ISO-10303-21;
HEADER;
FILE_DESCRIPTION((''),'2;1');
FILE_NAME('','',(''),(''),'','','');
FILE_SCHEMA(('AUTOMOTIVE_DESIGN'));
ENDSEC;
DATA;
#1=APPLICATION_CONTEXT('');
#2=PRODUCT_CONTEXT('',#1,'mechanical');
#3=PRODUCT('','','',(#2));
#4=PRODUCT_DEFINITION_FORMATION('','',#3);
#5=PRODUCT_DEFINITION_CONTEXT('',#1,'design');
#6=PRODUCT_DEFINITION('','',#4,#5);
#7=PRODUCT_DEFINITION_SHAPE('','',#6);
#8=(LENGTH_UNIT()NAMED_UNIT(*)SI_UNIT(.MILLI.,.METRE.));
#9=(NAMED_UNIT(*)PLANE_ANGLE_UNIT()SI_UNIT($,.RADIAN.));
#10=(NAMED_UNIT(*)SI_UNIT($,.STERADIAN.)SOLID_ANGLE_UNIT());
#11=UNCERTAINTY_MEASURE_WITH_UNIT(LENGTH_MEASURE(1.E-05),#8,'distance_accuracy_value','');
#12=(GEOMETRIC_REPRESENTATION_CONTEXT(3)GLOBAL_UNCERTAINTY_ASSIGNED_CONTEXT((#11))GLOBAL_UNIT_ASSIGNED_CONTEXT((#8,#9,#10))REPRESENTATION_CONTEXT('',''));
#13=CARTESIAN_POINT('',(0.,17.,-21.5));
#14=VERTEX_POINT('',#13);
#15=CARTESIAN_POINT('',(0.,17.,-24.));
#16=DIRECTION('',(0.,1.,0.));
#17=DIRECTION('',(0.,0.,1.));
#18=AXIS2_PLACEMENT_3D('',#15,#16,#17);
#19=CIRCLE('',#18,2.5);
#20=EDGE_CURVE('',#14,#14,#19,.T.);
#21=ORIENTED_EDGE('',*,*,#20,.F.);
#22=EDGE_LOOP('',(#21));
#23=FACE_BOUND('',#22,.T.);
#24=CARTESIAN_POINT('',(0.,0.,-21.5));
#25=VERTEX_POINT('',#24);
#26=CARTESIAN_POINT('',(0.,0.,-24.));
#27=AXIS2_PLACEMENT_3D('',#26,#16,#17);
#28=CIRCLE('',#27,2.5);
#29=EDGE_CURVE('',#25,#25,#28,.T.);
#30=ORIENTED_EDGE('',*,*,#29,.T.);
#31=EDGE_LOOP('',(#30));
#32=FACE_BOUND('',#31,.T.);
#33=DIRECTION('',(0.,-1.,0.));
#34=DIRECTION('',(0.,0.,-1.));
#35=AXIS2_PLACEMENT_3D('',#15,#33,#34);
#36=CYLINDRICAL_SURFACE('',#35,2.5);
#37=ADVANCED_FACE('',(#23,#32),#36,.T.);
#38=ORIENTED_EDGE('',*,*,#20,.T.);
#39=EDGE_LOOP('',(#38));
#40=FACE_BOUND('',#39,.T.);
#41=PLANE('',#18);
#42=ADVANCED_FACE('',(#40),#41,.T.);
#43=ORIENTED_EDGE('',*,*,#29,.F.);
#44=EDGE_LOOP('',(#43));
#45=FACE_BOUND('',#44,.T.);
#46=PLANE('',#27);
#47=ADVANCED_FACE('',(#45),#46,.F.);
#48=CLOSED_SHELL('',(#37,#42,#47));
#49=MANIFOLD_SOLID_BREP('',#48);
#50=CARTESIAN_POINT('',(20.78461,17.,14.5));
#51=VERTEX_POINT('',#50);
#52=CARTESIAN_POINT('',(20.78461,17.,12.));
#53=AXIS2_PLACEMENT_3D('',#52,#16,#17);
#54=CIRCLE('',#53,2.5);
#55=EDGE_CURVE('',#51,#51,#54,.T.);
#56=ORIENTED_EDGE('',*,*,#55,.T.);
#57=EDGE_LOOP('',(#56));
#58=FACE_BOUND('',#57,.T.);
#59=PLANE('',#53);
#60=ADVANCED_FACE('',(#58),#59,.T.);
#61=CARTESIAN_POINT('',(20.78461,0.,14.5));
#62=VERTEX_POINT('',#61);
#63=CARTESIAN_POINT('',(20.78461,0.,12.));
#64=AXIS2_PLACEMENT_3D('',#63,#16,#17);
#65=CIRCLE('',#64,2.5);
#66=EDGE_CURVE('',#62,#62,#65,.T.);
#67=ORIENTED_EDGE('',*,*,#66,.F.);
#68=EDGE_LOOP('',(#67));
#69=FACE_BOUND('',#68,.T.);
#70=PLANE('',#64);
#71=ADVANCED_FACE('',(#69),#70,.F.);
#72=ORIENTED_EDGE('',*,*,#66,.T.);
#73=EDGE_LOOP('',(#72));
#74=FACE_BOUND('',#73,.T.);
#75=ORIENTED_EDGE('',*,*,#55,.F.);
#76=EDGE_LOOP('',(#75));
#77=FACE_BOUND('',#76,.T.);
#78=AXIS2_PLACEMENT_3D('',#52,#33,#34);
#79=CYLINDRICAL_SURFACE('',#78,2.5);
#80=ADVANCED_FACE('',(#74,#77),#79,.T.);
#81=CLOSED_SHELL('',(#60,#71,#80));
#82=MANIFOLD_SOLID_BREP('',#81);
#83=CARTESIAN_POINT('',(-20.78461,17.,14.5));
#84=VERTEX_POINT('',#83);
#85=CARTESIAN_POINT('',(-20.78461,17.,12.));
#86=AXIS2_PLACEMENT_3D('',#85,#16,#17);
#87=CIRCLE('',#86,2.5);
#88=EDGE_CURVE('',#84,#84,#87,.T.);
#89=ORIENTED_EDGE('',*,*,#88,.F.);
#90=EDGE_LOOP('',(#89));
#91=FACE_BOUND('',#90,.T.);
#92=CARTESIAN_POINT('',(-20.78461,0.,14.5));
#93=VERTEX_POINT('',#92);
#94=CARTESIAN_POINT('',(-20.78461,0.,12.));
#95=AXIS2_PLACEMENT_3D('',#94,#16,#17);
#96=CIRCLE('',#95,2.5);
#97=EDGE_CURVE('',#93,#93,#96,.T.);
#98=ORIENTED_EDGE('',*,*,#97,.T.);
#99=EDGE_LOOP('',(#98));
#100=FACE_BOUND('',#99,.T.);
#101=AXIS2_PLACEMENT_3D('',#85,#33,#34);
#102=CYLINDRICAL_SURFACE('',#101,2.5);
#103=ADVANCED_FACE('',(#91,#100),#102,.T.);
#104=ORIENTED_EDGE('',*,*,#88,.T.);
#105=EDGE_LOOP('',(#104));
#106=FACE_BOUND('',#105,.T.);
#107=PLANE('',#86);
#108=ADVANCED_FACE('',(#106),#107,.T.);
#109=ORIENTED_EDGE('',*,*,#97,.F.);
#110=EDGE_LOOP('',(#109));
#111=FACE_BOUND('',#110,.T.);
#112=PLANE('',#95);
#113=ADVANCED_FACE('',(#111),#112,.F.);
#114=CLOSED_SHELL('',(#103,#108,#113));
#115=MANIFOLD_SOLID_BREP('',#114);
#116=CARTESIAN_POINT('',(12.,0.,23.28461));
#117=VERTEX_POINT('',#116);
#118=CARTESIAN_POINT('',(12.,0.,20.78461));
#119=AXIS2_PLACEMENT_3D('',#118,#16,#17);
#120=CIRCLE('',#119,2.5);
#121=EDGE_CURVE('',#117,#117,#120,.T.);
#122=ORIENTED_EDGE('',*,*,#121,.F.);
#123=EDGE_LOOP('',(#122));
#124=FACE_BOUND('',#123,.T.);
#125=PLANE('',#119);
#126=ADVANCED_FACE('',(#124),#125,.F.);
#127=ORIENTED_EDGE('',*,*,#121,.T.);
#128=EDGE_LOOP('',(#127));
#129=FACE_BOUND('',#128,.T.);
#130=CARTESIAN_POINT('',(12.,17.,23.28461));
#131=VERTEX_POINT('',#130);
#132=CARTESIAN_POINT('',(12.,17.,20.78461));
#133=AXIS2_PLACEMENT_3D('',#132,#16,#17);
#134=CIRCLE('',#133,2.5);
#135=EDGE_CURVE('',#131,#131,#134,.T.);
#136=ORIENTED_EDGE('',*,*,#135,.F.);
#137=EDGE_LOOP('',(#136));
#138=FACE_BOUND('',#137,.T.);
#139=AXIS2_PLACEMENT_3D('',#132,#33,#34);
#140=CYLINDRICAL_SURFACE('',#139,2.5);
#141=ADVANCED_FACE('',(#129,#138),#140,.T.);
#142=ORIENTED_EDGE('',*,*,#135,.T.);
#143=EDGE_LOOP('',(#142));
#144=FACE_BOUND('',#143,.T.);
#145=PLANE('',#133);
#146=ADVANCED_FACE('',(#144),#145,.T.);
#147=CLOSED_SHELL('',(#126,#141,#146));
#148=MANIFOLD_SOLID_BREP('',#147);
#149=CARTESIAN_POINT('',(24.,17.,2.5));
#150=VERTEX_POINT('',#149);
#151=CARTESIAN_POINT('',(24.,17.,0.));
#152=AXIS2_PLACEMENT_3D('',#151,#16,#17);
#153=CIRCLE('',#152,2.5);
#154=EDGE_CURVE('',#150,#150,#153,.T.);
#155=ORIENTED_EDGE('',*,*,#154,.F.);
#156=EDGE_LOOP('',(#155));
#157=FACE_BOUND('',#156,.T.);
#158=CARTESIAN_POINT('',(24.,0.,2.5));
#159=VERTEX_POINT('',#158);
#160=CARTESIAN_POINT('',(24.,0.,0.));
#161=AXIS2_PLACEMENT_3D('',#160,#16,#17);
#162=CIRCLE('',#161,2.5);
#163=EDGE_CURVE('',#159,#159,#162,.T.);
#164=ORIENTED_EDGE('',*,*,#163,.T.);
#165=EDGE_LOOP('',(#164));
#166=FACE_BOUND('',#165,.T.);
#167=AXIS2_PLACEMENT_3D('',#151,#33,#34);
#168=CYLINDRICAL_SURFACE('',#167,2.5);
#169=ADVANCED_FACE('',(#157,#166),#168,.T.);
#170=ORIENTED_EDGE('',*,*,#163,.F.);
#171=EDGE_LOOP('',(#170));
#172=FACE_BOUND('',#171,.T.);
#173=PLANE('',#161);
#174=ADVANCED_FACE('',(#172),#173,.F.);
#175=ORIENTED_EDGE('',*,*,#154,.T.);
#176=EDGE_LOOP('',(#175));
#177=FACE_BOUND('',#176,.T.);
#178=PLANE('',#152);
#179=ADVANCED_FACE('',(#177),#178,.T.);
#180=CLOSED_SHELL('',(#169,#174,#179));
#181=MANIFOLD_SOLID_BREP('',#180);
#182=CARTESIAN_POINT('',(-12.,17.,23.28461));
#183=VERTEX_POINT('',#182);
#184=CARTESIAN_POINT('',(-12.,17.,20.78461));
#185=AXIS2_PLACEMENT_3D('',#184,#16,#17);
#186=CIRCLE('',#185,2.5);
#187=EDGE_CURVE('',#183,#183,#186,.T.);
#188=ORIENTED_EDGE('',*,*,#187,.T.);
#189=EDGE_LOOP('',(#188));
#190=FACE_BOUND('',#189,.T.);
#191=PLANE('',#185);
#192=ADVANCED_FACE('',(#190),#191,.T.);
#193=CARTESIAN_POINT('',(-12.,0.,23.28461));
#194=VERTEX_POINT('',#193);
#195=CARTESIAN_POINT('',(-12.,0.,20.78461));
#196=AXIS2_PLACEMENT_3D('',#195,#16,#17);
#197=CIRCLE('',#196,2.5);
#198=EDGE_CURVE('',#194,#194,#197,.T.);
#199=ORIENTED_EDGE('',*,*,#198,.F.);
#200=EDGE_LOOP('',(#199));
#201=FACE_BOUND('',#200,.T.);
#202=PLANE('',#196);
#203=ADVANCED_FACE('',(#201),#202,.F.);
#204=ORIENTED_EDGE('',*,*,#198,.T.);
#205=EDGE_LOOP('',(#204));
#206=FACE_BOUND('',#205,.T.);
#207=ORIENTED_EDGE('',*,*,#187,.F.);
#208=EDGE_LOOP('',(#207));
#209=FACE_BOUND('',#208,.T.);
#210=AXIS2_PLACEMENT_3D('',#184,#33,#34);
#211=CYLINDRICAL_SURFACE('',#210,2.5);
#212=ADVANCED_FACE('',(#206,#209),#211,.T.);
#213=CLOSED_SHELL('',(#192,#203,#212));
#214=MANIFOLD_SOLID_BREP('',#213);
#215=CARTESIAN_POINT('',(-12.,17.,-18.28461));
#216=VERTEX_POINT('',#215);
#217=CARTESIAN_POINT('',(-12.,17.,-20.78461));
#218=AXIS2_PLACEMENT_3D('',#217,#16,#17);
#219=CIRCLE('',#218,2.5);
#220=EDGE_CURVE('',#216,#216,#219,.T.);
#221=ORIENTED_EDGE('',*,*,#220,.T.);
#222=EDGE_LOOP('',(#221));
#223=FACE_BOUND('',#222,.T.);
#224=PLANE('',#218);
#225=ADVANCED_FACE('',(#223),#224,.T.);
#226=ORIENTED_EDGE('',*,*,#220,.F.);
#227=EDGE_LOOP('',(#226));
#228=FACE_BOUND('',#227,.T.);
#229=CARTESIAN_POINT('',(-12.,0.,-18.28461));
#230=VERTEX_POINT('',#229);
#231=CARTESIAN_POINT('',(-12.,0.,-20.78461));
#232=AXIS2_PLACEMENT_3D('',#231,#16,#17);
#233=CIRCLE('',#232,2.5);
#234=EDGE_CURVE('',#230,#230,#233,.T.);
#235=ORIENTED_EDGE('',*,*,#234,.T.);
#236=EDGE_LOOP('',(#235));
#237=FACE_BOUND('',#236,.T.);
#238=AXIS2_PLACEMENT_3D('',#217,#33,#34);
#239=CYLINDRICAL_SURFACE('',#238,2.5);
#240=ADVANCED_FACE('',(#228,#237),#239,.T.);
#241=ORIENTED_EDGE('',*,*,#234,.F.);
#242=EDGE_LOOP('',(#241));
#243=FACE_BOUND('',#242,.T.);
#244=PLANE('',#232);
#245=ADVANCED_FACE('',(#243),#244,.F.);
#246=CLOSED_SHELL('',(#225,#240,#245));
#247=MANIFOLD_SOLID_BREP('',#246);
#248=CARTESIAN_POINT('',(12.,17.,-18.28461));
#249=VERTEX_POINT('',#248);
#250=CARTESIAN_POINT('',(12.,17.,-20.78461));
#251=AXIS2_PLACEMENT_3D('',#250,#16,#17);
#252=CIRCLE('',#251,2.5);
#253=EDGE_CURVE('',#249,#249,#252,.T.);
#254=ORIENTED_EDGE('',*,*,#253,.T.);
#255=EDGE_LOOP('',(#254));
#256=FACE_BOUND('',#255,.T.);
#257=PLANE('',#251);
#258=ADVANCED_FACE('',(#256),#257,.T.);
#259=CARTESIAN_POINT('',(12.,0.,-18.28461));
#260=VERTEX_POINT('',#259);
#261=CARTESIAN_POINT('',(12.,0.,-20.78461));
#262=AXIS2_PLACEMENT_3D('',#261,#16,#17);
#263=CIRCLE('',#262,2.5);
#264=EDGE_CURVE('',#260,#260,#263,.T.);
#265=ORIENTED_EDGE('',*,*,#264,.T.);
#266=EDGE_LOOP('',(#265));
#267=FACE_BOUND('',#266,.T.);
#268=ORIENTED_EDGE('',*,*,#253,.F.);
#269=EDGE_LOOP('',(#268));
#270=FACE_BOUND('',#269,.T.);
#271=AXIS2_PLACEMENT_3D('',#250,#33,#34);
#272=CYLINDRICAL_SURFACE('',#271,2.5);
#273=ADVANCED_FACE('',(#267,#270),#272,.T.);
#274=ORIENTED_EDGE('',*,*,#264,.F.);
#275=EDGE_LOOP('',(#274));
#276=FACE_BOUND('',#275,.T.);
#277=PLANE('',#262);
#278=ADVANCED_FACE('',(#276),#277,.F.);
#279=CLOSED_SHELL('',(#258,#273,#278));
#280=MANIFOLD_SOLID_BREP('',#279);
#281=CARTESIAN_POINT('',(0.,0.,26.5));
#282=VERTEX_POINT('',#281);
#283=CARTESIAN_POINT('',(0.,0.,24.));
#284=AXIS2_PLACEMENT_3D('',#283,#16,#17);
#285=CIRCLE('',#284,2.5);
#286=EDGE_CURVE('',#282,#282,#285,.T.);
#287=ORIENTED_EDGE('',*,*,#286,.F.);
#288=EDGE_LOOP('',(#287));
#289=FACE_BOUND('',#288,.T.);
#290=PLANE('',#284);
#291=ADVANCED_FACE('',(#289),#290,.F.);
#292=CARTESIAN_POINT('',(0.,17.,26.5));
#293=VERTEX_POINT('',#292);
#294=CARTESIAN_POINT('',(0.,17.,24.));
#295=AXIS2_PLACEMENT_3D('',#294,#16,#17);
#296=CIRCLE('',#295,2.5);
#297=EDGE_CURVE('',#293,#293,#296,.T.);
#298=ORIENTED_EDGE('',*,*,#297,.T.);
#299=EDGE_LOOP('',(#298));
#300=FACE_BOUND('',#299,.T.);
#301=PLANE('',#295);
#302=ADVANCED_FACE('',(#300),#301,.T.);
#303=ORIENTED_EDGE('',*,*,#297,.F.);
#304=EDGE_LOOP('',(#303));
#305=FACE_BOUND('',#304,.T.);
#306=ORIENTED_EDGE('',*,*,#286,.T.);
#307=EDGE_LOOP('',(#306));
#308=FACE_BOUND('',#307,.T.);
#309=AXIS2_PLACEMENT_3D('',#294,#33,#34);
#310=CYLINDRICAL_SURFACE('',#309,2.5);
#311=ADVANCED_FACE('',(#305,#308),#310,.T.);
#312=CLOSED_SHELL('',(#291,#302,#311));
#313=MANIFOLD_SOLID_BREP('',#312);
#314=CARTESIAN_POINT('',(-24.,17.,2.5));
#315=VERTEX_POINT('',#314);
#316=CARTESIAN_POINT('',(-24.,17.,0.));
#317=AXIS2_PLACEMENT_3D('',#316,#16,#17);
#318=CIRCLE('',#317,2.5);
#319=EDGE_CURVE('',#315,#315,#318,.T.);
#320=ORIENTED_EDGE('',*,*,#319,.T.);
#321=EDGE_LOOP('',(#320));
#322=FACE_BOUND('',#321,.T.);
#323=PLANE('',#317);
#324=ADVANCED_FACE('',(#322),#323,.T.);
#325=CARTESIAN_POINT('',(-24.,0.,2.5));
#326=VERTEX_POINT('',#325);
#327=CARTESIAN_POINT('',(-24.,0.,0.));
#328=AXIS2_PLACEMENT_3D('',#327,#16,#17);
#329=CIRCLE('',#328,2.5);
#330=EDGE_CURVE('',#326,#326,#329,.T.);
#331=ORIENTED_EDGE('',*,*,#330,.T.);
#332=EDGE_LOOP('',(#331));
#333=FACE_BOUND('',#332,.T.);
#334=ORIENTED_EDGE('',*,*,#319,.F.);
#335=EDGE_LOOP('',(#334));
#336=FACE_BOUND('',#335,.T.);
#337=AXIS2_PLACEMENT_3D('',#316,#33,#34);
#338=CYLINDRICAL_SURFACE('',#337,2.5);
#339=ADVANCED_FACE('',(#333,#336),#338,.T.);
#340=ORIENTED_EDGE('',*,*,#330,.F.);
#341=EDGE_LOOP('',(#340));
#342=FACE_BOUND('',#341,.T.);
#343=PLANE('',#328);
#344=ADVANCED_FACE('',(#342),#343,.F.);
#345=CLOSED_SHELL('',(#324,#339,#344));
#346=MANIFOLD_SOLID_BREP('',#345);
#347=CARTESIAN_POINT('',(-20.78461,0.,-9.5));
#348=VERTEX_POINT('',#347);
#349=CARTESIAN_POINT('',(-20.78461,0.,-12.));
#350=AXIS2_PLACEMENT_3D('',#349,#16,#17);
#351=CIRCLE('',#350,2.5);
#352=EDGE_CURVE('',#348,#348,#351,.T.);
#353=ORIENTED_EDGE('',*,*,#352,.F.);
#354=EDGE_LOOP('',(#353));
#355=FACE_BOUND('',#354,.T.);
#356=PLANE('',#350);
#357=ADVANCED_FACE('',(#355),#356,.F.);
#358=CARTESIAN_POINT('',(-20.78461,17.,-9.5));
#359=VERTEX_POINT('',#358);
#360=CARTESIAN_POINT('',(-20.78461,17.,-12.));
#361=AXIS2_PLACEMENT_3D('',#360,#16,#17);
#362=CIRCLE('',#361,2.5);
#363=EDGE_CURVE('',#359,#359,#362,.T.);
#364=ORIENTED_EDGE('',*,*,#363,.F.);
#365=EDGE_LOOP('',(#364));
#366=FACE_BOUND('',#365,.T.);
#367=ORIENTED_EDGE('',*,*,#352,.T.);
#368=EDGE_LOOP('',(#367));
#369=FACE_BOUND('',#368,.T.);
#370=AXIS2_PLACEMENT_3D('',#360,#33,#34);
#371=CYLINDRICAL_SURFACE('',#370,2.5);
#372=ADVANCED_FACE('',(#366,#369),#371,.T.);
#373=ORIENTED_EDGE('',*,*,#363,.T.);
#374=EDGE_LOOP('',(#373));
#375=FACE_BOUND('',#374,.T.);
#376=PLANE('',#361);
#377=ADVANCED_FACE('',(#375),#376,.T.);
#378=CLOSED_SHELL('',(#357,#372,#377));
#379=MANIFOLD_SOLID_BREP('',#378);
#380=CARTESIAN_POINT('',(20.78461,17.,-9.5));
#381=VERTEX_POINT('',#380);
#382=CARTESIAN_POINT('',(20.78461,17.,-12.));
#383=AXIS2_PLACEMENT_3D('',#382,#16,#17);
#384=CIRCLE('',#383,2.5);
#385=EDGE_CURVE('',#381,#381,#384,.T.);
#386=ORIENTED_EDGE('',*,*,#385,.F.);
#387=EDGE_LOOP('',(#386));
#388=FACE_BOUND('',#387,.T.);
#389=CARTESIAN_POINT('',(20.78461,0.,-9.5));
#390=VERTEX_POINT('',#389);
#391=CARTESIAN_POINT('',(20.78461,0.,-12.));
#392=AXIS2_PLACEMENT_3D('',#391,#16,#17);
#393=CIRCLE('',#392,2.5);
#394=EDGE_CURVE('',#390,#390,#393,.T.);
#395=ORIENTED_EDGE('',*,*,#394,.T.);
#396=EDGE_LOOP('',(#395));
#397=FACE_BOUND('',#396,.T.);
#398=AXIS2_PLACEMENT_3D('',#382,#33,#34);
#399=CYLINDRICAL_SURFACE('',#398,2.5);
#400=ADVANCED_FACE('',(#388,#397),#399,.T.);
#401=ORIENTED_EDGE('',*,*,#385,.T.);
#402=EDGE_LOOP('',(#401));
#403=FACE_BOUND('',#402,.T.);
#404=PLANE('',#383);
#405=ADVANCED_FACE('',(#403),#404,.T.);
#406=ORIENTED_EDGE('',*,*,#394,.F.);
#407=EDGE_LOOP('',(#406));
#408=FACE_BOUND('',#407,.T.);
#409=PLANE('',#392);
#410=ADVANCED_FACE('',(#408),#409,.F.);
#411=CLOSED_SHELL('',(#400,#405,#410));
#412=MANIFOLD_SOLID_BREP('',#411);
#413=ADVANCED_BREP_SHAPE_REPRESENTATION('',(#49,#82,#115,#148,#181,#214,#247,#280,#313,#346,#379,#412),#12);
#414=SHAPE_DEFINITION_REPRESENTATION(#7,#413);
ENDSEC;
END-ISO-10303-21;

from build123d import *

# Parameters (mm, degrees)
SKETCH1_R              = 2.5
BOSS_EXTRUDE1_DEPTH    = 17
BOSS_EXTRUDE1_2_DEPTH  = 17
BOSS_EXTRUDE1_3_DEPTH  = 17
BOSS_EXTRUDE1_4_DEPTH  = 17
BOSS_EXTRUDE1_5_DEPTH  = 17
BOSS_EXTRUDE1_6_DEPTH  = 17
BOSS_EXTRUDE1_7_DEPTH  = 17
BOSS_EXTRUDE1_8_DEPTH  = 17
BOSS_EXTRUDE1_9_DEPTH  = 17
BOSS_EXTRUDE1_10_DEPTH = 17
BOSS_EXTRUDE1_11_DEPTH = 17
BOSS_EXTRUDE1_12_DEPTH = 17


with BuildPart() as part:
    # Sketch1 → Boss-Extrude1 (new body)
    with BuildSketch(Plane(origin=(0, 0, 0), x_dir=(1, 0, 0), z_dir=(0, 1, 0))):
        with Locations((0, 24)):
            Circle(SKETCH1_R)
    extrude(amount=BOSS_EXTRUDE1_DEPTH)


with BuildPart() as body_2:
    # Sketch1 → Boss-Extrude1 2 (new body)
    with BuildSketch(Plane(origin=(0, 0, 0), x_dir=(1, 0, 0), z_dir=(0, 1, 0))):
        with Locations((12, 20.784609691)):
            Circle(SKETCH1_R)
    extrude(amount=BOSS_EXTRUDE1_2_DEPTH)


with BuildPart() as body_3:
    # Sketch1 → Boss-Extrude1 3 (new body)
    with BuildSketch(Plane(origin=(0, 0, 0), x_dir=(1, 0, 0), z_dir=(0, 1, 0))):
        with Locations((20.784609691, 12)):
            Circle(SKETCH1_R)
    extrude(amount=BOSS_EXTRUDE1_3_DEPTH)


with BuildPart() as body_4:
    # Sketch1 → Boss-Extrude1 4 (new body)
    with BuildSketch(Plane(origin=(0, 0, 0), x_dir=(1, 0, 0), z_dir=(0, 1, 0))):
        with Locations((24, 0)):
            Circle(SKETCH1_R)
    extrude(amount=BOSS_EXTRUDE1_4_DEPTH)


with BuildPart() as body_5:
    # Sketch1 → Boss-Extrude1 5 (new body)
    with BuildSketch(Plane(origin=(0, 0, 0), x_dir=(1, 0, 0), z_dir=(0, 1, 0))):
        with Locations((20.784609691, -12)):
            Circle(SKETCH1_R)
    extrude(amount=BOSS_EXTRUDE1_5_DEPTH)


with BuildPart() as body_6:
    # Sketch1 → Boss-Extrude1 6 (new body)
    with BuildSketch(Plane(origin=(0, 0, 0), x_dir=(1, 0, 0), z_dir=(0, 1, 0))):
        with Locations((12, -20.784609691)):
            Circle(SKETCH1_R)
    extrude(amount=BOSS_EXTRUDE1_6_DEPTH)


with BuildPart() as body_7:
    # Sketch1 → Boss-Extrude1 7 (new body)
    with BuildSketch(Plane(origin=(0, 0, 0), x_dir=(1, 0, 0), z_dir=(0, 1, 0))):
        with Locations((0, -24)):
            Circle(SKETCH1_R)
    extrude(amount=BOSS_EXTRUDE1_7_DEPTH)


with BuildPart() as body_8:
    # Sketch1 → Boss-Extrude1 8 (new body)
    with BuildSketch(Plane(origin=(0, 0, 0), x_dir=(1, 0, 0), z_dir=(0, 1, 0))):
        with Locations((-12, -20.784609691)):
            Circle(SKETCH1_R)
    extrude(amount=BOSS_EXTRUDE1_8_DEPTH)


with BuildPart() as body_9:
    # Sketch1 → Boss-Extrude1 9 (new body)
    with BuildSketch(Plane(origin=(0, 0, 0), x_dir=(1, 0, 0), z_dir=(0, 1, 0))):
        with Locations((-20.784609691, -12)):
            Circle(SKETCH1_R)
    extrude(amount=BOSS_EXTRUDE1_9_DEPTH)


with BuildPart() as body_10:
    # Sketch1 → Boss-Extrude1 10 (new body)
    with BuildSketch(Plane(origin=(0, 0, 0), x_dir=(1, 0, 0), z_dir=(0, 1, 0))):
        with Locations((-24, 0)):
            Circle(SKETCH1_R)
    extrude(amount=BOSS_EXTRUDE1_10_DEPTH)


with BuildPart() as body_11:
    # Sketch1 → Boss-Extrude1 11 (new body)
    with BuildSketch(Plane(origin=(0, 0, 0), x_dir=(1, 0, 0), z_dir=(0, 1, 0))):
        with Locations((-20.784609691, 12)):
            Circle(SKETCH1_R)
    extrude(amount=BOSS_EXTRUDE1_11_DEPTH)


with BuildPart() as body_12:
    # Sketch1 → Boss-Extrude1 12 (new body)
    with BuildSketch(Plane(origin=(0, 0, 0), x_dir=(1, 0, 0), z_dir=(0, 1, 0))):
        with Locations((-12, 20.784609691)):
            Circle(SKETCH1_R)
    extrude(amount=BOSS_EXTRUDE1_12_DEPTH)


solid = Compound([part.part, body_2.part, body_3.part, body_4.part, body_5.part, body_6.part, body_7.part, body_8.part, body_9.part, body_10.part, body_11.part, body_12.part])
